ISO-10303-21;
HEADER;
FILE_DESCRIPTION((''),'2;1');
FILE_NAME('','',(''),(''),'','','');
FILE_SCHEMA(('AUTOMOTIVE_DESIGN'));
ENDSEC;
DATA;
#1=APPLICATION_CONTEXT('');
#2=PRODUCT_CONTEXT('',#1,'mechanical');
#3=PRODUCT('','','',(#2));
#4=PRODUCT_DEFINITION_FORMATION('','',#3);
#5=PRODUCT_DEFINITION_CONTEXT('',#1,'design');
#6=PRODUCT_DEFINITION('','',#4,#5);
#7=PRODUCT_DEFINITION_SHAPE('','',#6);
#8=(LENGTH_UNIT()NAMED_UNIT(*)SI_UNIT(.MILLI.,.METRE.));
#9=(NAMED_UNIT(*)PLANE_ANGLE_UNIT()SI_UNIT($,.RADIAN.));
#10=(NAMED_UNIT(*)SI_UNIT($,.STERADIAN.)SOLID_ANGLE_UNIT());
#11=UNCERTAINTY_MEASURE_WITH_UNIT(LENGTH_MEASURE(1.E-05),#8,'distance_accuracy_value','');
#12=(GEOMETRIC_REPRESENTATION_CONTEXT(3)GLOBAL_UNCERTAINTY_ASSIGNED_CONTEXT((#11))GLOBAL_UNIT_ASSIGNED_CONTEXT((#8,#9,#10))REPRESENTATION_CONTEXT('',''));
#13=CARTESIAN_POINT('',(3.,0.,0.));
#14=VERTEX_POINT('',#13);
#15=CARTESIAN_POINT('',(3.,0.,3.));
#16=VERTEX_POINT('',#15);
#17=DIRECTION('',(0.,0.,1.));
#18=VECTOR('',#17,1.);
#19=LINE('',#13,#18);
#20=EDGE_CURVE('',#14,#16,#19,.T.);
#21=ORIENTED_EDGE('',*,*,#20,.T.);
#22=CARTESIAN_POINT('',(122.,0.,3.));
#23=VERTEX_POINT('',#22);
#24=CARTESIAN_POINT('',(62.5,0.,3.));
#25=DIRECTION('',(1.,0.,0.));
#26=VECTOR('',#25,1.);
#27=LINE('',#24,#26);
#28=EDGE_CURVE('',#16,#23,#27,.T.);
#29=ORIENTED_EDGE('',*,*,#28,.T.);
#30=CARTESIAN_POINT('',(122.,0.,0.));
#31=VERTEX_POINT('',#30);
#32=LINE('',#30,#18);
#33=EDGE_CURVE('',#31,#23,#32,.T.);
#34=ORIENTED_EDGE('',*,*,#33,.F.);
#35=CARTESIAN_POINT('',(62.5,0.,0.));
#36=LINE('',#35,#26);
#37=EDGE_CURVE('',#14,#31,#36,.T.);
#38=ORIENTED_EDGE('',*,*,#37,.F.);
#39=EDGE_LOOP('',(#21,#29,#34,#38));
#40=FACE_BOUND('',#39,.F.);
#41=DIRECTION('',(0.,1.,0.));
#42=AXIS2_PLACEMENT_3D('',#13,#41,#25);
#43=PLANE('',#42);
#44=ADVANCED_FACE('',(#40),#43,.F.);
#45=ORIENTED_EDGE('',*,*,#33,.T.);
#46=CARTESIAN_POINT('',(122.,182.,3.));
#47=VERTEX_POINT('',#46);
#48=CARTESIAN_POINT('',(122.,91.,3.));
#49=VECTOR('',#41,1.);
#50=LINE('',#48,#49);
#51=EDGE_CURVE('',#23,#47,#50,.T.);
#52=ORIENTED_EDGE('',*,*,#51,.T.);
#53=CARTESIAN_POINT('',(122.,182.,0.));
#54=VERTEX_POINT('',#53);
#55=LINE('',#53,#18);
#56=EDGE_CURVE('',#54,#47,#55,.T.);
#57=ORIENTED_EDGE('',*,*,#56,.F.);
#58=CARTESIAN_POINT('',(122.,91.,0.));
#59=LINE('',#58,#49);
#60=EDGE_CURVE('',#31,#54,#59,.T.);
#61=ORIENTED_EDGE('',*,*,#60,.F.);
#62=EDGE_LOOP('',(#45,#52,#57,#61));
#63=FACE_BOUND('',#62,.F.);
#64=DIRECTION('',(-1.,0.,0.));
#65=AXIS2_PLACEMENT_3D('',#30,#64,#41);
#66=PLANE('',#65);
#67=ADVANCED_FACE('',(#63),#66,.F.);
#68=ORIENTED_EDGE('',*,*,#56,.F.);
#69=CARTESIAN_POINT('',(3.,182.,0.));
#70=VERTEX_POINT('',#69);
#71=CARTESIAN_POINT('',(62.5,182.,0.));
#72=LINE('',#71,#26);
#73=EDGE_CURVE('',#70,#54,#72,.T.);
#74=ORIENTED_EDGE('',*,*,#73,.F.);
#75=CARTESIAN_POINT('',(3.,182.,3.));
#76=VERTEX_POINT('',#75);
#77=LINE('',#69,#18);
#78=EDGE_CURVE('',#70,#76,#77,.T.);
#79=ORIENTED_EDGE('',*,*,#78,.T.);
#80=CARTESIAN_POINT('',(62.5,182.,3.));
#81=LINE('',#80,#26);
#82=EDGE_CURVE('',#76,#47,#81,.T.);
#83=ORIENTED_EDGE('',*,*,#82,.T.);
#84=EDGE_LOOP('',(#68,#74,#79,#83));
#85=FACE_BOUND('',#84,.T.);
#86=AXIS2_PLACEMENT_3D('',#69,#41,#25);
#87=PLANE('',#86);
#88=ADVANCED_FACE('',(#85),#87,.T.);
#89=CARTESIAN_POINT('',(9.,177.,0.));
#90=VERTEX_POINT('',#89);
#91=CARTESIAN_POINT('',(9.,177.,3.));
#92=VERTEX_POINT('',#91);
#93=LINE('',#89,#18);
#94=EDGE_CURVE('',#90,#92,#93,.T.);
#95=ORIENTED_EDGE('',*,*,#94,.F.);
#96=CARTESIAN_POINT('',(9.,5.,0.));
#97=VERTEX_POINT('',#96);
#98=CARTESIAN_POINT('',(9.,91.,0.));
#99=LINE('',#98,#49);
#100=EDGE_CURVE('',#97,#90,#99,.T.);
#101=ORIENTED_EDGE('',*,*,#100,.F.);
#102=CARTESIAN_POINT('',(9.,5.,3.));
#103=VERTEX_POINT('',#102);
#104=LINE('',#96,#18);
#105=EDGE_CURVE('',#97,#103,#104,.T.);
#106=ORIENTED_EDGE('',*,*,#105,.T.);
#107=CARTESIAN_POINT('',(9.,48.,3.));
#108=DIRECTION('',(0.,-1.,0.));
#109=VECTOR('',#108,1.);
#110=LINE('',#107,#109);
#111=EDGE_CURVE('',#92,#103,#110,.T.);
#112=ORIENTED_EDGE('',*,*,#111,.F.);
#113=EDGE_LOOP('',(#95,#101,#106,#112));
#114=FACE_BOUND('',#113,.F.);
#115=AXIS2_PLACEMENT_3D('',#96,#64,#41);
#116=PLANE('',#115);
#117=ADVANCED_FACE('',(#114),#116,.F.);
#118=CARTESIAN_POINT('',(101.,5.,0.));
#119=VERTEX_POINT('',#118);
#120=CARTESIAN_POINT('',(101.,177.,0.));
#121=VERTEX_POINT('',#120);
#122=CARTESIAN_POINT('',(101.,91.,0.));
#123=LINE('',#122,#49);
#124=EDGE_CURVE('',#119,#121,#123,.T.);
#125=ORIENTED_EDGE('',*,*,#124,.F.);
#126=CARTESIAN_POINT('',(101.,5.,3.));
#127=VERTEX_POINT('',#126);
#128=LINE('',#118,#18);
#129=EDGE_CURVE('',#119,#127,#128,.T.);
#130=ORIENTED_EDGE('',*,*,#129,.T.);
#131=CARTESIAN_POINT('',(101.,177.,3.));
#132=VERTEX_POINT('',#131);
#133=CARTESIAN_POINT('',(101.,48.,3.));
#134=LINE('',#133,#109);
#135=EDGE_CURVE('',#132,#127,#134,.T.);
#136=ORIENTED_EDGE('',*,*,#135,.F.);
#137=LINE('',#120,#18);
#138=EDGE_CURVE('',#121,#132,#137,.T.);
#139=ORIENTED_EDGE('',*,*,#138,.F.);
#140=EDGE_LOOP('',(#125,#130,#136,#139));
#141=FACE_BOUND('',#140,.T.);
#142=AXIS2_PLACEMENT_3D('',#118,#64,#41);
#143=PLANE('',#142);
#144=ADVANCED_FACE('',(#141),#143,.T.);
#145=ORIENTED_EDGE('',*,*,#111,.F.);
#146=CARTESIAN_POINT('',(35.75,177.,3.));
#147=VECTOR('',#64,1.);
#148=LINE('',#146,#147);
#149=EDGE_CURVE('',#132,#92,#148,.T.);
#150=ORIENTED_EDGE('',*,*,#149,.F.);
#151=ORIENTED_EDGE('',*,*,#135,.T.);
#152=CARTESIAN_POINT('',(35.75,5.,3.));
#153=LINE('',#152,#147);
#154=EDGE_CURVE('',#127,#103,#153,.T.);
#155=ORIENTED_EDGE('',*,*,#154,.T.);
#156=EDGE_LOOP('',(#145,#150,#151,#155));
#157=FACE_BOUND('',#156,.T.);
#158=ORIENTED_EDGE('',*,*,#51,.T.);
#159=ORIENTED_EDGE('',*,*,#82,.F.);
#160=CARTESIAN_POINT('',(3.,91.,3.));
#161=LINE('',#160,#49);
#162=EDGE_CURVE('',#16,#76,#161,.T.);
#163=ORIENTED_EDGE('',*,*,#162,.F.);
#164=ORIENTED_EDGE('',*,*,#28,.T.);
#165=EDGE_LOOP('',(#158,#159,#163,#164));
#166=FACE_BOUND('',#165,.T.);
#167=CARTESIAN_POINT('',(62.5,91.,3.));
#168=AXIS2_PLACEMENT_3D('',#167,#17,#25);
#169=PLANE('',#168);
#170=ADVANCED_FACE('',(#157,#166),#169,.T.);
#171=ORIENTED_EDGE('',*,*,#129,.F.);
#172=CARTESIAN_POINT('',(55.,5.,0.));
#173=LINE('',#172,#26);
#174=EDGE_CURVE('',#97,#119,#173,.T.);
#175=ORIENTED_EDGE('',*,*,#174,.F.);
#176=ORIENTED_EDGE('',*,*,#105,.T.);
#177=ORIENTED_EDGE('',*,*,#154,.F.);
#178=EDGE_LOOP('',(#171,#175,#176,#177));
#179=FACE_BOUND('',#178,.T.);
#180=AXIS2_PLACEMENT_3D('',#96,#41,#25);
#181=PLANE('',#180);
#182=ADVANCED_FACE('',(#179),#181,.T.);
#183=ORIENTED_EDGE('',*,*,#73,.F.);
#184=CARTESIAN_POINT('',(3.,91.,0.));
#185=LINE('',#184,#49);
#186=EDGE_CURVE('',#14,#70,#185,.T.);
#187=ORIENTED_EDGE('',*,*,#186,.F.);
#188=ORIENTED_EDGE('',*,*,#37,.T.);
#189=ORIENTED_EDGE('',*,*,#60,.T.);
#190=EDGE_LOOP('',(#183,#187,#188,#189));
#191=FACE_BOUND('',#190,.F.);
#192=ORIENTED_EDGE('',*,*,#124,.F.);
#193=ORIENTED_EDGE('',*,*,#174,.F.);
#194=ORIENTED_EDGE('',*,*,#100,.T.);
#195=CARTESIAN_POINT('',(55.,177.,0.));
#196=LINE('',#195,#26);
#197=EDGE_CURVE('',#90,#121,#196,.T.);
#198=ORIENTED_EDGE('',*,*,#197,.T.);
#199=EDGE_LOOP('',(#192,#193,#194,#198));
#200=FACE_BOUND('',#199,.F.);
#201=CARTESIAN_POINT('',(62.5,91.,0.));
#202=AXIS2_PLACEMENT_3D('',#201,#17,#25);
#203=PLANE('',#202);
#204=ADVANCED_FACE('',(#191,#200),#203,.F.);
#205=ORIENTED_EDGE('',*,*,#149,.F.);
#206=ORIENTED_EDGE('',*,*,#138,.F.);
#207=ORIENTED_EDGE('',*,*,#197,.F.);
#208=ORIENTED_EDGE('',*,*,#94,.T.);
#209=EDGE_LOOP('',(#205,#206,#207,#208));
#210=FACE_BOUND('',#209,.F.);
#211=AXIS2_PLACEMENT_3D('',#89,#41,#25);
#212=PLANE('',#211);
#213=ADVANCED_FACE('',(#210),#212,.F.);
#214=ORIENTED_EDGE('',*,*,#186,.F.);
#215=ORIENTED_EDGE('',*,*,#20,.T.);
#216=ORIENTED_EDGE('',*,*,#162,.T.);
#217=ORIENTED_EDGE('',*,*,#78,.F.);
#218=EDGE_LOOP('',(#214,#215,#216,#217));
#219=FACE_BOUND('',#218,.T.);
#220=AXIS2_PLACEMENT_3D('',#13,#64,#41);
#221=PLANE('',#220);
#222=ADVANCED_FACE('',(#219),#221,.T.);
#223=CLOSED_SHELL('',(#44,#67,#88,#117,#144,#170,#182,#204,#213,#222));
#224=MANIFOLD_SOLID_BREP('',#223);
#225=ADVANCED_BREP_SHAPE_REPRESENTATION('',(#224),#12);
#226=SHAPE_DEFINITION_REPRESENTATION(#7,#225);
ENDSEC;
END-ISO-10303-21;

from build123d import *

# Parameters (mm, degrees)
BOX001_W     = 92
BOX001_H     = 172
BOX001_DEPTH = 10
BOX_W        = 119
BOX_H        = 182
BOX_DEPTH    = 3


with BuildPart() as cube001:
    # Box001 → Box001 (new body)
    with BuildSketch(Plane(origin=(9, 5, 0), x_dir=(1, 0, 0), z_dir=(0, 0, 1))):
        with Locations((46, 86)):
            Rectangle(BOX001_W, BOX001_H)
    extrude(amount=BOX001_DEPTH)


with BuildPart() as cut:
    # Box → Box (new body)
    with BuildSketch(Plane(origin=(3, 0, 0), x_dir=(1, 0, 0), z_dir=(0, 0, 1))):
        with Locations((59.5, 91)):
            Rectangle(BOX_W, BOX_H)
    extrude(amount=BOX_DEPTH)

    # Cut: cut Cube001
    add(cube001.part, mode=Mode.SUBTRACT)


solid = cut.part
